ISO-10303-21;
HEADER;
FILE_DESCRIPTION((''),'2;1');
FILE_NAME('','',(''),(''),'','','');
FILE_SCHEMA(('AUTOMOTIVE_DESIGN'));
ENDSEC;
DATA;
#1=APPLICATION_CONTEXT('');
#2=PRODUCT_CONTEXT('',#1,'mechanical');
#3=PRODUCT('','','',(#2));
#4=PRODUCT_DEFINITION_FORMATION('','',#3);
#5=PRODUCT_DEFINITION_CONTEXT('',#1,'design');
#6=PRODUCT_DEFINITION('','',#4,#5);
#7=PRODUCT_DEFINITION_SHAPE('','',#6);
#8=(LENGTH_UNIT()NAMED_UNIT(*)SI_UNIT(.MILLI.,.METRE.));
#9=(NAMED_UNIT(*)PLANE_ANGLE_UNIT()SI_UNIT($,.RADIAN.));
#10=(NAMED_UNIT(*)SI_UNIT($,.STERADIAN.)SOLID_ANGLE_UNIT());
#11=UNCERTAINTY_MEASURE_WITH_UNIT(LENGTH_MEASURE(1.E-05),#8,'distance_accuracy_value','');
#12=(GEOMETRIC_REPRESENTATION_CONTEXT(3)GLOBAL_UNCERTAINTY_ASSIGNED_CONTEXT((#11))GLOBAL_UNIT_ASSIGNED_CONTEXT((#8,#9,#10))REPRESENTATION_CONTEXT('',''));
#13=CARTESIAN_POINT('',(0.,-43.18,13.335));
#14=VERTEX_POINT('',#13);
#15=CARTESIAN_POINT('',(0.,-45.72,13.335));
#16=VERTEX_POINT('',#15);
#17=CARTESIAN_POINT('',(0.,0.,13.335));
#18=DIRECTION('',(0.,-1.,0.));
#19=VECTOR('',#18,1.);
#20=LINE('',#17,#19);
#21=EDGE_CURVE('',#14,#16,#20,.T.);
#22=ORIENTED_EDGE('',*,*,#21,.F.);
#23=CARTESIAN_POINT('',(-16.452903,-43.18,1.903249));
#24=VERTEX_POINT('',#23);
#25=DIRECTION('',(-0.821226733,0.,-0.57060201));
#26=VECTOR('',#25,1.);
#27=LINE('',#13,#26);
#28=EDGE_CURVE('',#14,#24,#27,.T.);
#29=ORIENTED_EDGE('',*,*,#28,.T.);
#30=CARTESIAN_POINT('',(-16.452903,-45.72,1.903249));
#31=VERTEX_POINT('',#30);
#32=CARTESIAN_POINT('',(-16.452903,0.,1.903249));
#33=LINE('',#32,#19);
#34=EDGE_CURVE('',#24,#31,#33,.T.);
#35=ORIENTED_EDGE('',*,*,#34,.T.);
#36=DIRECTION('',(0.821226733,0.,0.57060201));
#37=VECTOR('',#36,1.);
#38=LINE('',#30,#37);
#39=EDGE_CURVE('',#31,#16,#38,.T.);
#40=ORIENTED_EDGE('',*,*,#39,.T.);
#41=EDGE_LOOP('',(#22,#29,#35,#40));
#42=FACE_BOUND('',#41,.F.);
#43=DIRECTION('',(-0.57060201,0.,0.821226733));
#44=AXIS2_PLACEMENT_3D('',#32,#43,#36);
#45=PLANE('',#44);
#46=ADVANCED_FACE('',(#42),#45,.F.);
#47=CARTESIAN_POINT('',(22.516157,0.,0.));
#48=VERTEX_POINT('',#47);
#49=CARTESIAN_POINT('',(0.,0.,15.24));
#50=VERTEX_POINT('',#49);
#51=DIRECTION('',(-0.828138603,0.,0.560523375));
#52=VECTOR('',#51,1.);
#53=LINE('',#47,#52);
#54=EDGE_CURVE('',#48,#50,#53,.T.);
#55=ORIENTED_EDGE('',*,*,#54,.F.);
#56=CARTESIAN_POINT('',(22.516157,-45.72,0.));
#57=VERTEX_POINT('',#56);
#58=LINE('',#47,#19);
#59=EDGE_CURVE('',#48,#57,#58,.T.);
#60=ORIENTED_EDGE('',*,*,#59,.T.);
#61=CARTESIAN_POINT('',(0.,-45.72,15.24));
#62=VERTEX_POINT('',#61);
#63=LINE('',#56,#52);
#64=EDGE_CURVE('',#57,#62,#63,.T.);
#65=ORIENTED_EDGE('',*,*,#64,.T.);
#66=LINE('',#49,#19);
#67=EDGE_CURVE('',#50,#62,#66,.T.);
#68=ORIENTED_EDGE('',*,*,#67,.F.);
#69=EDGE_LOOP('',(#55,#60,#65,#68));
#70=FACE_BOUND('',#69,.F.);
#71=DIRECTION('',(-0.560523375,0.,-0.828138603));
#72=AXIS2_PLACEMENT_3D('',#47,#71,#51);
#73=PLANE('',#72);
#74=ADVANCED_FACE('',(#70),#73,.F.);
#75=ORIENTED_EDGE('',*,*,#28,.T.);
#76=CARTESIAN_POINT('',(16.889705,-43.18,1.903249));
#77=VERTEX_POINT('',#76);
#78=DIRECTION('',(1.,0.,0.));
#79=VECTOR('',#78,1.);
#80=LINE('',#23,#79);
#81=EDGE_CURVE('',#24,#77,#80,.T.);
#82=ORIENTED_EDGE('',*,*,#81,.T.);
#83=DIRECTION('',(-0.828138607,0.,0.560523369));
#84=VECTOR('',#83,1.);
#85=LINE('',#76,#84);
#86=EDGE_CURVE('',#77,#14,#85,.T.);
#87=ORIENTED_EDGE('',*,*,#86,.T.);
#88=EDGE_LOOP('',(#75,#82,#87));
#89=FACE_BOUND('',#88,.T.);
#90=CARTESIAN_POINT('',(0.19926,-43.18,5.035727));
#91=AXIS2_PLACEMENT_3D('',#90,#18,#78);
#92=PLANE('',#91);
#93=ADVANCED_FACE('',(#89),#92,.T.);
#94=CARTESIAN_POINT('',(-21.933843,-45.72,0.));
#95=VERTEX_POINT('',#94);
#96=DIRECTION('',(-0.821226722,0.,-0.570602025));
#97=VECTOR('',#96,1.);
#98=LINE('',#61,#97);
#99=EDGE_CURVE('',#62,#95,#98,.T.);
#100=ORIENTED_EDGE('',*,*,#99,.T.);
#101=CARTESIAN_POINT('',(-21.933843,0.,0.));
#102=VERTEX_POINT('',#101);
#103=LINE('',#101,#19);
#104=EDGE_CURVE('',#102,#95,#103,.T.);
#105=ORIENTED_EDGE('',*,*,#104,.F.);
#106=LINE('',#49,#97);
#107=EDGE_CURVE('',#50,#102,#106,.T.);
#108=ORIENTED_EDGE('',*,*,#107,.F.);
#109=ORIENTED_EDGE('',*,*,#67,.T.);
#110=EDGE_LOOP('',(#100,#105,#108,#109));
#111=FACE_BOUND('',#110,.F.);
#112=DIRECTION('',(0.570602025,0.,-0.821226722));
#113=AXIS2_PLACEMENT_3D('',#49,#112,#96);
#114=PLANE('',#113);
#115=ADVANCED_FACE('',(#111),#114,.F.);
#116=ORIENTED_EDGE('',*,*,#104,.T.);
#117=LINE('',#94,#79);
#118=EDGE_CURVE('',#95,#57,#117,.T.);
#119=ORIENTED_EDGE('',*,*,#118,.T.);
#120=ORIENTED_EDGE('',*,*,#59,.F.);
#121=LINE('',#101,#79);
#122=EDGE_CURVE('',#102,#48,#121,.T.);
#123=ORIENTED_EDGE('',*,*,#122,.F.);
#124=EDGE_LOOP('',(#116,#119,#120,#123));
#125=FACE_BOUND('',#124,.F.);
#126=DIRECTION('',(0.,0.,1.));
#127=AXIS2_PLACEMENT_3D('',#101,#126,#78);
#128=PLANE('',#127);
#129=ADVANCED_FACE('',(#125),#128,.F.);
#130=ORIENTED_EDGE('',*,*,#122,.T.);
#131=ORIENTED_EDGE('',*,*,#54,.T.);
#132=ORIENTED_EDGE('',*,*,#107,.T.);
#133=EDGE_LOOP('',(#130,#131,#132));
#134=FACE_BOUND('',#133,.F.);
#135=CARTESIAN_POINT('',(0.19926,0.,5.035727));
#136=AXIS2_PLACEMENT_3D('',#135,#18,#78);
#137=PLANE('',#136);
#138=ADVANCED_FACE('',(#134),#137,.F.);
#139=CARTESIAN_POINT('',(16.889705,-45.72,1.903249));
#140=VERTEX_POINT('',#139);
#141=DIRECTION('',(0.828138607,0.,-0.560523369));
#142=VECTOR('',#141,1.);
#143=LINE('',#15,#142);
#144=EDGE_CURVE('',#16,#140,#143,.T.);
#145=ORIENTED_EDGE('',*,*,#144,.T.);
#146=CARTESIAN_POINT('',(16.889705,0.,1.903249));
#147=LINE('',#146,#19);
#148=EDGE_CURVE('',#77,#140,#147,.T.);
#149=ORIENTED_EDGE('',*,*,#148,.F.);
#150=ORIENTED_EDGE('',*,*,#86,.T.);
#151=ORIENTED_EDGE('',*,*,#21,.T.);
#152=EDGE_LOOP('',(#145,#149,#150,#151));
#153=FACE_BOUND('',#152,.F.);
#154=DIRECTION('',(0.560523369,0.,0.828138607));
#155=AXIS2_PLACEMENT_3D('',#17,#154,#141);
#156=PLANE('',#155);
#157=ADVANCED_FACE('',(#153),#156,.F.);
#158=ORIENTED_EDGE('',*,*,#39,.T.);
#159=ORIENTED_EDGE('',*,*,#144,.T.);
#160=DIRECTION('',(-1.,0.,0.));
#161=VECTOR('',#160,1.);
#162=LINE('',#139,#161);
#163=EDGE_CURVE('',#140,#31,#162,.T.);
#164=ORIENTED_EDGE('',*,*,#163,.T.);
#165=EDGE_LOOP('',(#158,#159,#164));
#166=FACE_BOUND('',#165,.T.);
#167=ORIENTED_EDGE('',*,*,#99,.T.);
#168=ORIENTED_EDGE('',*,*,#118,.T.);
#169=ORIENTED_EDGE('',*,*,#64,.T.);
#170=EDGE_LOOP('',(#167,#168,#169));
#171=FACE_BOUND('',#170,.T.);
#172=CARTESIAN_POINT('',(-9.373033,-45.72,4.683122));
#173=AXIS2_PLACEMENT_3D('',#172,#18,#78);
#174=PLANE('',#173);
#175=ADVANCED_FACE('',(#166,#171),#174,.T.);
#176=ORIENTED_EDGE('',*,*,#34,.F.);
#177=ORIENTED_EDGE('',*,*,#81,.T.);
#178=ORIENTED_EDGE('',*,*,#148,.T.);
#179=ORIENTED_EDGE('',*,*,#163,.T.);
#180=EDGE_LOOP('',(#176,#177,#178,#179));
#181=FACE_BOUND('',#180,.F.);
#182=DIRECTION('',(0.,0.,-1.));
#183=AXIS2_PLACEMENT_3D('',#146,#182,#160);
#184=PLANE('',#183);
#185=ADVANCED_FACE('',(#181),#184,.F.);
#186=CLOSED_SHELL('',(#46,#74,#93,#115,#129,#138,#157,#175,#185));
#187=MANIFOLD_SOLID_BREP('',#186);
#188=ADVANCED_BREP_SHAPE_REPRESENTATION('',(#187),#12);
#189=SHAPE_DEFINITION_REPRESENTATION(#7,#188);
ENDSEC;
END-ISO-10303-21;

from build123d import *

# Parameters (mm, degrees)
F1_DEPTH = 45.72
F2_DEPTH = 43.18


with BuildPart() as f1:
    # F0 (on Front) → F1 (new body)
    with BuildSketch(Plane.XZ):
        Polygon((0, 15.24), (-21.933843, 0), (0, 0), (0, 1.903249), (-16.452903, 1.903249), (0, 13.335), align=None)
        Polygon((0, 1.903249), (0, 0), (22.516157, 0), (0, 15.24), (0, 13.335), (16.889705, 1.903249), align=None)
    extrude(amount=F1_DEPTH)

    # F0 (on Front) → F2 (join)
    with BuildSketch(Plane.XZ):
        Polygon((-16.452903, 1.903249), (0, 1.903249), (16.889705, 1.903249), (0, 13.335), align=None)
    extrude(amount=F2_DEPTH)


solid = f1.part
